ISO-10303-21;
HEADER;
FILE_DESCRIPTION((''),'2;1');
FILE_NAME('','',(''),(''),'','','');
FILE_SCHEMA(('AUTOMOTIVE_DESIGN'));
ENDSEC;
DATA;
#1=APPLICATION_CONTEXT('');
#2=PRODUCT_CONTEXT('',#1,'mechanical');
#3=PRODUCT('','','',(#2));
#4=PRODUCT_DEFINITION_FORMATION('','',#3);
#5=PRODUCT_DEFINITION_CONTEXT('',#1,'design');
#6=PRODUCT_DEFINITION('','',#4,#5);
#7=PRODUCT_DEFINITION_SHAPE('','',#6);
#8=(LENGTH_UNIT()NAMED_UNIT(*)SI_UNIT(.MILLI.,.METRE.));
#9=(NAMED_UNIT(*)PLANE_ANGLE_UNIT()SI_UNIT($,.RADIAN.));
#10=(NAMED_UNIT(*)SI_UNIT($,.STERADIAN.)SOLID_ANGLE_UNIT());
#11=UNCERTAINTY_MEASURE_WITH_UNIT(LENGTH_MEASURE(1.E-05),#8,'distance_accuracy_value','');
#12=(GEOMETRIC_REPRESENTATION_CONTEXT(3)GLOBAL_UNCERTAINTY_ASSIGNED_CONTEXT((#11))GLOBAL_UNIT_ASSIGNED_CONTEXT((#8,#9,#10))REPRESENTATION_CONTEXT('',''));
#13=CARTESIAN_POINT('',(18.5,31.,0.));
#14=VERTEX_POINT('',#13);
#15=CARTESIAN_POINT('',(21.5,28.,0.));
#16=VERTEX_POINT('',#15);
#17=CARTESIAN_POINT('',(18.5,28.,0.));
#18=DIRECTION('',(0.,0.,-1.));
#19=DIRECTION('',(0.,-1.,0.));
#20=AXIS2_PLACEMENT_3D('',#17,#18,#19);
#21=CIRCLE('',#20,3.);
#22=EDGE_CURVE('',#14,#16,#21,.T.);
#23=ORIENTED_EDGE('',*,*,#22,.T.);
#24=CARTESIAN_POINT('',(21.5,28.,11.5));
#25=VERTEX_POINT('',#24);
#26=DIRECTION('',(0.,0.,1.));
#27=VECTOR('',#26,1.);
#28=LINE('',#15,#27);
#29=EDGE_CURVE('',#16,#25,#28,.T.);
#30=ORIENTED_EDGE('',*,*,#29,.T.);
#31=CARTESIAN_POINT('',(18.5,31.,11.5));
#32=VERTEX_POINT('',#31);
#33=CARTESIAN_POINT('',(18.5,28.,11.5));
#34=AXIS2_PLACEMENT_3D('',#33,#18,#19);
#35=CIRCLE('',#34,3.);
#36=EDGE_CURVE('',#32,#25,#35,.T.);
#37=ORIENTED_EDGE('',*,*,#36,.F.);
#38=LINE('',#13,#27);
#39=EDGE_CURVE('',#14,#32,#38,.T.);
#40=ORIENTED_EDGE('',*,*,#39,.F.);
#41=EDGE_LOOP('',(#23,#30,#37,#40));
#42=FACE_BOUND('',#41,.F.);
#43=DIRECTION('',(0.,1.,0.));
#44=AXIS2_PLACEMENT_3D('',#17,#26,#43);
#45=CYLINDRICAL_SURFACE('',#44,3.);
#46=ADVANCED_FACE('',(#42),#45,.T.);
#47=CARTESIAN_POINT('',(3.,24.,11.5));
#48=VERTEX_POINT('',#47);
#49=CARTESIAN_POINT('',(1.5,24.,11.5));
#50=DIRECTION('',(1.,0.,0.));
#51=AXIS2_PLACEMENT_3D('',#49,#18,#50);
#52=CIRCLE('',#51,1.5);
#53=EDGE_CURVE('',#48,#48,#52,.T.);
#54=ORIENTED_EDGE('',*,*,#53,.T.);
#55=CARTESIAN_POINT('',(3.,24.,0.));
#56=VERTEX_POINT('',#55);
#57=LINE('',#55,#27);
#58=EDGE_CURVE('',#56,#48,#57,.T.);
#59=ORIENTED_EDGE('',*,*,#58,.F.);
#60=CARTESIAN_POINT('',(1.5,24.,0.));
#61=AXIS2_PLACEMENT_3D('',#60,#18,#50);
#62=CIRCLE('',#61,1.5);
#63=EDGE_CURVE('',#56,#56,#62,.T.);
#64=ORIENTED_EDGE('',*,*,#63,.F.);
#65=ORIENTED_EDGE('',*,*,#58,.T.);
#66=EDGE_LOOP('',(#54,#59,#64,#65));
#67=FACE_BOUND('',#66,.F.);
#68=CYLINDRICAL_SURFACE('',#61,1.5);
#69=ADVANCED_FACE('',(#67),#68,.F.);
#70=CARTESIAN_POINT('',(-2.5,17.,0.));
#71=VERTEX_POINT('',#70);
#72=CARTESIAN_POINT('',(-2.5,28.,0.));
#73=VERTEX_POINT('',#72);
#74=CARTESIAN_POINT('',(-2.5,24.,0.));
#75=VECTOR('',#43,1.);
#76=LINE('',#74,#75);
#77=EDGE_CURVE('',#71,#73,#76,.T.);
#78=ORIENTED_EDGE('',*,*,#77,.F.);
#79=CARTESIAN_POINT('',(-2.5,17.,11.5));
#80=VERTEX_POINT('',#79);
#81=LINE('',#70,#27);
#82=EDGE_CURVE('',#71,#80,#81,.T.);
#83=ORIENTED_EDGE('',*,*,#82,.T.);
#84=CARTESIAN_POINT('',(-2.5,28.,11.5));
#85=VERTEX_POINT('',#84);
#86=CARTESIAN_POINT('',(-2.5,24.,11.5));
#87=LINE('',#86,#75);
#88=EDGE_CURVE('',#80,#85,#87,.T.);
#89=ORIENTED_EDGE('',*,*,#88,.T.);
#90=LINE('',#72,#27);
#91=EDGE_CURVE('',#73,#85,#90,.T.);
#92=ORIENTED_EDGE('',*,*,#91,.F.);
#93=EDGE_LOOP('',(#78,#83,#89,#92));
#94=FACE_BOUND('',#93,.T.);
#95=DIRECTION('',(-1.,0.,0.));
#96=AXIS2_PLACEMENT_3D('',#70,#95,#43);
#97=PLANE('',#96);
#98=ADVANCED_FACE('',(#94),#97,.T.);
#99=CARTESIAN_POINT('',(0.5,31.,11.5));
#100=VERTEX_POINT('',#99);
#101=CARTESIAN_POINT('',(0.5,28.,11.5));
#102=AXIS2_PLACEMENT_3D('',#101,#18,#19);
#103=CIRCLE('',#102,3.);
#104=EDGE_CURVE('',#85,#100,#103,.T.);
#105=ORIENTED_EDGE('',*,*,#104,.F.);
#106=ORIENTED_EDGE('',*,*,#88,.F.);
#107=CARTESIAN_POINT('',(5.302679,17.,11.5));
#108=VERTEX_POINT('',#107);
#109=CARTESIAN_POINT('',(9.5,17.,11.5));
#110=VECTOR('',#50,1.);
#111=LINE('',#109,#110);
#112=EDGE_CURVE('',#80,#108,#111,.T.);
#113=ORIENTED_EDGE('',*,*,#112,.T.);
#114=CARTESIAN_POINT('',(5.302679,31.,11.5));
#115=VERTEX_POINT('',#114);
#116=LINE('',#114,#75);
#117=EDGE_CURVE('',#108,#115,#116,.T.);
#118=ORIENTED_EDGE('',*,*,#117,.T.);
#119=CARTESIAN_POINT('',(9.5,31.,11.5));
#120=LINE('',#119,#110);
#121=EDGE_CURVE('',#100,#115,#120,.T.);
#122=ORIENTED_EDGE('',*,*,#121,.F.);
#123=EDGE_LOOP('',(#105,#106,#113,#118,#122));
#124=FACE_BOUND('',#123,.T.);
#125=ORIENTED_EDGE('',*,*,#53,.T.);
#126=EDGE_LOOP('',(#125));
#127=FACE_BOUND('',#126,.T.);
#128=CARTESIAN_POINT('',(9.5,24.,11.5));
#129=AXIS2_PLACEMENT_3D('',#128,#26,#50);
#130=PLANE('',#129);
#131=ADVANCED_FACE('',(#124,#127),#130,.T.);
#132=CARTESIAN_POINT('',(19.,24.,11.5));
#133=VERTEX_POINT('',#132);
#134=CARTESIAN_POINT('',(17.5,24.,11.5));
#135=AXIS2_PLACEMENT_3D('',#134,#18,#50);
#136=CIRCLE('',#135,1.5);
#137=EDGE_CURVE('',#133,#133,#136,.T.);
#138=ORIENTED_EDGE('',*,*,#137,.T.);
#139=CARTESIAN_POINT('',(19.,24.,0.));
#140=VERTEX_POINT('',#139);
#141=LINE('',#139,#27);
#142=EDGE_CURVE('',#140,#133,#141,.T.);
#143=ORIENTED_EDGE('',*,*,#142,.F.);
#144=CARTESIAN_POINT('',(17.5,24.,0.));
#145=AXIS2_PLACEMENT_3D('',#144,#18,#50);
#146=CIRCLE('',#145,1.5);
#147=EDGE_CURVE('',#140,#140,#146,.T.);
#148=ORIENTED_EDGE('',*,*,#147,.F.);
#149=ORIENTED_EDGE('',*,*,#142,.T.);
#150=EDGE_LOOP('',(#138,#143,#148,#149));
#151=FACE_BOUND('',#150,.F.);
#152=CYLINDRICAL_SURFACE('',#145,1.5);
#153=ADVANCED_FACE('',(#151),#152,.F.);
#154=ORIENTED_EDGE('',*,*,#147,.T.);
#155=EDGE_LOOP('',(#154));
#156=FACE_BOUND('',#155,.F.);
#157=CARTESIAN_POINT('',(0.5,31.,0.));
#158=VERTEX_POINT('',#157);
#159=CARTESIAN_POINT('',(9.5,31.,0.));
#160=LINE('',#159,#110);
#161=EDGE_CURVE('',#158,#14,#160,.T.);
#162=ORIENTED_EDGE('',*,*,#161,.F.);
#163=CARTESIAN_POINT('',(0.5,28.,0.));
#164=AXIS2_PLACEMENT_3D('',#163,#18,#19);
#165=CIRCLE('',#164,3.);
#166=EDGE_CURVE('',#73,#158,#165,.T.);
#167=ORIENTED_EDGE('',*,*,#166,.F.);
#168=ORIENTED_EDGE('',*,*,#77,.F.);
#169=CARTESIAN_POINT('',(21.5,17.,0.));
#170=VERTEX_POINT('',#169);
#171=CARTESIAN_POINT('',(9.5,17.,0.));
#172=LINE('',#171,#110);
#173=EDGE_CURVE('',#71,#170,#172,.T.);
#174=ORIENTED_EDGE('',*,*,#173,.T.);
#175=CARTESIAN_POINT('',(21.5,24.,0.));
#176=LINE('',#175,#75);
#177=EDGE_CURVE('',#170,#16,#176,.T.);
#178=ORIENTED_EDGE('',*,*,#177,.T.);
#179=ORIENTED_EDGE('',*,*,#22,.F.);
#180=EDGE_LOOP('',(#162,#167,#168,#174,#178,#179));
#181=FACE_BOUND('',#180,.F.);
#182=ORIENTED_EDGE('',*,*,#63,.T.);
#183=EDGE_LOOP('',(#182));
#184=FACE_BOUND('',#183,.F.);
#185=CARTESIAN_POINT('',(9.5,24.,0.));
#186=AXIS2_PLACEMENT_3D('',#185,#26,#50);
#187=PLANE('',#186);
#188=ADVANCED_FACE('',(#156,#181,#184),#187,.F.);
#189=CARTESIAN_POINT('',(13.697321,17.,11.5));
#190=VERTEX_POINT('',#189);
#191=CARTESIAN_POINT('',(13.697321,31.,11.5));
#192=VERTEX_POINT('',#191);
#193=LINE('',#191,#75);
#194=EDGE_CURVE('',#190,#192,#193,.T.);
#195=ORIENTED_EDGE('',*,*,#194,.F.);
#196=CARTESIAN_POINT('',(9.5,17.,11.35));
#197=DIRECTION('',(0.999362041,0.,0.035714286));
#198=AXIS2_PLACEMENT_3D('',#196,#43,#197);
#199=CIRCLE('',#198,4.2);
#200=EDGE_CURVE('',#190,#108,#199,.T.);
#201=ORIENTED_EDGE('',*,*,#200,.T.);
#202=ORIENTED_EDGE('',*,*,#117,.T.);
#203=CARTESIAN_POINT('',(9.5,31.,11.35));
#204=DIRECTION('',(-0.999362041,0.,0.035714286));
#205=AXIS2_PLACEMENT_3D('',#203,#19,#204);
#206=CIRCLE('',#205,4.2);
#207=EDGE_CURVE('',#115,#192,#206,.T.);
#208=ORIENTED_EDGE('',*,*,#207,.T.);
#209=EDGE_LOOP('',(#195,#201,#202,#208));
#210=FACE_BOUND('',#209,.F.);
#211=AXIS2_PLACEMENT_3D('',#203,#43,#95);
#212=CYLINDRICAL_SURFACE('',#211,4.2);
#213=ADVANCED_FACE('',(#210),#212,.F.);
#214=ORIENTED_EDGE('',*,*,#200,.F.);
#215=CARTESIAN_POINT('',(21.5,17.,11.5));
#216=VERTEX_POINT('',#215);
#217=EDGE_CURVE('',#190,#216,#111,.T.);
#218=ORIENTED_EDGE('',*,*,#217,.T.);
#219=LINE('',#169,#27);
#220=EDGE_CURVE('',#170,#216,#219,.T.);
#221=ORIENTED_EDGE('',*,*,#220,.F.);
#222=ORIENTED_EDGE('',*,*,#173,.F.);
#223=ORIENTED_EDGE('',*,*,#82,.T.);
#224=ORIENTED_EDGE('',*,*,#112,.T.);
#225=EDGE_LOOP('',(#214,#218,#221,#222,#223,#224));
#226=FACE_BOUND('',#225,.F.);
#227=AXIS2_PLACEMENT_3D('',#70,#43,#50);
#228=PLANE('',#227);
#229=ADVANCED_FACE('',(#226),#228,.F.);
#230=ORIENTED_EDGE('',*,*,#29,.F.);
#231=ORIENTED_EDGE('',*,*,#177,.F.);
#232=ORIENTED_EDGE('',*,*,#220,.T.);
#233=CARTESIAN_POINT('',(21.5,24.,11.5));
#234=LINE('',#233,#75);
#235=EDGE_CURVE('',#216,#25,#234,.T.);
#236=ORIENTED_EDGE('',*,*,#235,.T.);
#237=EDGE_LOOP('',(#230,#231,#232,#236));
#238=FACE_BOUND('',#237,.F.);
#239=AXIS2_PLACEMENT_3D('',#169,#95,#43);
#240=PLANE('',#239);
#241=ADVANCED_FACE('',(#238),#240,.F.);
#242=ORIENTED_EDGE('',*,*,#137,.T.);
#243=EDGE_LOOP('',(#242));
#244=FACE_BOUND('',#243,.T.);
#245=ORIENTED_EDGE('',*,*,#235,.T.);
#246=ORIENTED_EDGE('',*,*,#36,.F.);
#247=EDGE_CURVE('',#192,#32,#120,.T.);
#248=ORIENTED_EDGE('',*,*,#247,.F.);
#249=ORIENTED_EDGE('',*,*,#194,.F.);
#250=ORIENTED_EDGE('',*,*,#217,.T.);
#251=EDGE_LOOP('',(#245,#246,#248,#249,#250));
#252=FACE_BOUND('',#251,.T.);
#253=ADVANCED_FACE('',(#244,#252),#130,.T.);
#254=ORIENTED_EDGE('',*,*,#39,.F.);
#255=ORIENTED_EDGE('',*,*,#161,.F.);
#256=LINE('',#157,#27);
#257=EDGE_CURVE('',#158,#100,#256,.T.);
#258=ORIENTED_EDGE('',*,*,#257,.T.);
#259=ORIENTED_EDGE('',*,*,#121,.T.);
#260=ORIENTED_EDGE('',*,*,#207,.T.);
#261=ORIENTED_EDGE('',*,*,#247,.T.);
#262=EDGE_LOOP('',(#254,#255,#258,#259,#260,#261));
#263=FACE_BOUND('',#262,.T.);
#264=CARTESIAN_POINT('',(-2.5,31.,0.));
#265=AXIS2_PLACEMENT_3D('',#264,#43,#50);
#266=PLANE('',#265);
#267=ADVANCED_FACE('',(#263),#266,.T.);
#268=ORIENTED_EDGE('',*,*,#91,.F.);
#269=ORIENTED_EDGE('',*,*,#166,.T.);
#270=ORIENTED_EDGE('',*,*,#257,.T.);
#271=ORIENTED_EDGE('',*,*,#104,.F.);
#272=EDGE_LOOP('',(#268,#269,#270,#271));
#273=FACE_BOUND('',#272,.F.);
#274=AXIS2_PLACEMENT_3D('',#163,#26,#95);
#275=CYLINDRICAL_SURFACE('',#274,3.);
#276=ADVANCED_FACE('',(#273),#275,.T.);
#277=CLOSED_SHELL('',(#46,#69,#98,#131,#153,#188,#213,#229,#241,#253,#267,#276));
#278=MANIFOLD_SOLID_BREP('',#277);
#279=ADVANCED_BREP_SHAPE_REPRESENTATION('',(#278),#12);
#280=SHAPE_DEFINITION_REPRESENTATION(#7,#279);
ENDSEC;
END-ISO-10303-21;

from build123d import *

# Parameters (mm, degrees)
BOX001_W        = 24
BOX001_H        = 14
BOX001_DEPTH    = 11.5
SKETCH001_R     = 4.2
POCKET001_DEPTH = 14
SKETCH002_R     = 1.5
POCKET002_DEPTH = 11.501
FILLET003_R     = 3


with BuildPart() as part:
    # Box001 → Box001 (new body)
    with BuildSketch(Plane(origin=(-2.5, 17, 0), x_dir=(1, 0, 0), z_dir=(0, 0, 1))):
        with Locations((12, 7)):
            Rectangle(BOX001_W, BOX001_H)
    extrude(amount=BOX001_DEPTH)

    # Sketch001 → Pocket001 (cut)
    with BuildSketch(Plane(origin=(-2.5, 31, 0), x_dir=(-1, 0, 0), z_dir=(0, 1, 0))):
        with Locations((-12, 11.35)):
            Circle(SKETCH001_R)
    extrude(amount=-POCKET001_DEPTH, mode=Mode.SUBTRACT)

    # Sketch002 → Pocket002 (cut, through all)
    with BuildSketch(Plane(origin=(-2.5, 17, 0), x_dir=(1, 0, 0), z_dir=(0, 0, -1))):
        with Locations((4, -7)):
            Circle(SKETCH002_R)
        with Locations((20, -7)):
            Circle(SKETCH002_R)
    extrude(amount=-POCKET002_DEPTH, mode=Mode.SUBTRACT)

    # Fillet003
    fillet003_edges = [part.edges().sort_by_distance(p)[0] for p in [
        (-2.5, 31, 5.75),
        (21.5, 31, 5.75),
    ]]
    fillet(fillet003_edges, radius=FILLET003_R)


solid = part.part
